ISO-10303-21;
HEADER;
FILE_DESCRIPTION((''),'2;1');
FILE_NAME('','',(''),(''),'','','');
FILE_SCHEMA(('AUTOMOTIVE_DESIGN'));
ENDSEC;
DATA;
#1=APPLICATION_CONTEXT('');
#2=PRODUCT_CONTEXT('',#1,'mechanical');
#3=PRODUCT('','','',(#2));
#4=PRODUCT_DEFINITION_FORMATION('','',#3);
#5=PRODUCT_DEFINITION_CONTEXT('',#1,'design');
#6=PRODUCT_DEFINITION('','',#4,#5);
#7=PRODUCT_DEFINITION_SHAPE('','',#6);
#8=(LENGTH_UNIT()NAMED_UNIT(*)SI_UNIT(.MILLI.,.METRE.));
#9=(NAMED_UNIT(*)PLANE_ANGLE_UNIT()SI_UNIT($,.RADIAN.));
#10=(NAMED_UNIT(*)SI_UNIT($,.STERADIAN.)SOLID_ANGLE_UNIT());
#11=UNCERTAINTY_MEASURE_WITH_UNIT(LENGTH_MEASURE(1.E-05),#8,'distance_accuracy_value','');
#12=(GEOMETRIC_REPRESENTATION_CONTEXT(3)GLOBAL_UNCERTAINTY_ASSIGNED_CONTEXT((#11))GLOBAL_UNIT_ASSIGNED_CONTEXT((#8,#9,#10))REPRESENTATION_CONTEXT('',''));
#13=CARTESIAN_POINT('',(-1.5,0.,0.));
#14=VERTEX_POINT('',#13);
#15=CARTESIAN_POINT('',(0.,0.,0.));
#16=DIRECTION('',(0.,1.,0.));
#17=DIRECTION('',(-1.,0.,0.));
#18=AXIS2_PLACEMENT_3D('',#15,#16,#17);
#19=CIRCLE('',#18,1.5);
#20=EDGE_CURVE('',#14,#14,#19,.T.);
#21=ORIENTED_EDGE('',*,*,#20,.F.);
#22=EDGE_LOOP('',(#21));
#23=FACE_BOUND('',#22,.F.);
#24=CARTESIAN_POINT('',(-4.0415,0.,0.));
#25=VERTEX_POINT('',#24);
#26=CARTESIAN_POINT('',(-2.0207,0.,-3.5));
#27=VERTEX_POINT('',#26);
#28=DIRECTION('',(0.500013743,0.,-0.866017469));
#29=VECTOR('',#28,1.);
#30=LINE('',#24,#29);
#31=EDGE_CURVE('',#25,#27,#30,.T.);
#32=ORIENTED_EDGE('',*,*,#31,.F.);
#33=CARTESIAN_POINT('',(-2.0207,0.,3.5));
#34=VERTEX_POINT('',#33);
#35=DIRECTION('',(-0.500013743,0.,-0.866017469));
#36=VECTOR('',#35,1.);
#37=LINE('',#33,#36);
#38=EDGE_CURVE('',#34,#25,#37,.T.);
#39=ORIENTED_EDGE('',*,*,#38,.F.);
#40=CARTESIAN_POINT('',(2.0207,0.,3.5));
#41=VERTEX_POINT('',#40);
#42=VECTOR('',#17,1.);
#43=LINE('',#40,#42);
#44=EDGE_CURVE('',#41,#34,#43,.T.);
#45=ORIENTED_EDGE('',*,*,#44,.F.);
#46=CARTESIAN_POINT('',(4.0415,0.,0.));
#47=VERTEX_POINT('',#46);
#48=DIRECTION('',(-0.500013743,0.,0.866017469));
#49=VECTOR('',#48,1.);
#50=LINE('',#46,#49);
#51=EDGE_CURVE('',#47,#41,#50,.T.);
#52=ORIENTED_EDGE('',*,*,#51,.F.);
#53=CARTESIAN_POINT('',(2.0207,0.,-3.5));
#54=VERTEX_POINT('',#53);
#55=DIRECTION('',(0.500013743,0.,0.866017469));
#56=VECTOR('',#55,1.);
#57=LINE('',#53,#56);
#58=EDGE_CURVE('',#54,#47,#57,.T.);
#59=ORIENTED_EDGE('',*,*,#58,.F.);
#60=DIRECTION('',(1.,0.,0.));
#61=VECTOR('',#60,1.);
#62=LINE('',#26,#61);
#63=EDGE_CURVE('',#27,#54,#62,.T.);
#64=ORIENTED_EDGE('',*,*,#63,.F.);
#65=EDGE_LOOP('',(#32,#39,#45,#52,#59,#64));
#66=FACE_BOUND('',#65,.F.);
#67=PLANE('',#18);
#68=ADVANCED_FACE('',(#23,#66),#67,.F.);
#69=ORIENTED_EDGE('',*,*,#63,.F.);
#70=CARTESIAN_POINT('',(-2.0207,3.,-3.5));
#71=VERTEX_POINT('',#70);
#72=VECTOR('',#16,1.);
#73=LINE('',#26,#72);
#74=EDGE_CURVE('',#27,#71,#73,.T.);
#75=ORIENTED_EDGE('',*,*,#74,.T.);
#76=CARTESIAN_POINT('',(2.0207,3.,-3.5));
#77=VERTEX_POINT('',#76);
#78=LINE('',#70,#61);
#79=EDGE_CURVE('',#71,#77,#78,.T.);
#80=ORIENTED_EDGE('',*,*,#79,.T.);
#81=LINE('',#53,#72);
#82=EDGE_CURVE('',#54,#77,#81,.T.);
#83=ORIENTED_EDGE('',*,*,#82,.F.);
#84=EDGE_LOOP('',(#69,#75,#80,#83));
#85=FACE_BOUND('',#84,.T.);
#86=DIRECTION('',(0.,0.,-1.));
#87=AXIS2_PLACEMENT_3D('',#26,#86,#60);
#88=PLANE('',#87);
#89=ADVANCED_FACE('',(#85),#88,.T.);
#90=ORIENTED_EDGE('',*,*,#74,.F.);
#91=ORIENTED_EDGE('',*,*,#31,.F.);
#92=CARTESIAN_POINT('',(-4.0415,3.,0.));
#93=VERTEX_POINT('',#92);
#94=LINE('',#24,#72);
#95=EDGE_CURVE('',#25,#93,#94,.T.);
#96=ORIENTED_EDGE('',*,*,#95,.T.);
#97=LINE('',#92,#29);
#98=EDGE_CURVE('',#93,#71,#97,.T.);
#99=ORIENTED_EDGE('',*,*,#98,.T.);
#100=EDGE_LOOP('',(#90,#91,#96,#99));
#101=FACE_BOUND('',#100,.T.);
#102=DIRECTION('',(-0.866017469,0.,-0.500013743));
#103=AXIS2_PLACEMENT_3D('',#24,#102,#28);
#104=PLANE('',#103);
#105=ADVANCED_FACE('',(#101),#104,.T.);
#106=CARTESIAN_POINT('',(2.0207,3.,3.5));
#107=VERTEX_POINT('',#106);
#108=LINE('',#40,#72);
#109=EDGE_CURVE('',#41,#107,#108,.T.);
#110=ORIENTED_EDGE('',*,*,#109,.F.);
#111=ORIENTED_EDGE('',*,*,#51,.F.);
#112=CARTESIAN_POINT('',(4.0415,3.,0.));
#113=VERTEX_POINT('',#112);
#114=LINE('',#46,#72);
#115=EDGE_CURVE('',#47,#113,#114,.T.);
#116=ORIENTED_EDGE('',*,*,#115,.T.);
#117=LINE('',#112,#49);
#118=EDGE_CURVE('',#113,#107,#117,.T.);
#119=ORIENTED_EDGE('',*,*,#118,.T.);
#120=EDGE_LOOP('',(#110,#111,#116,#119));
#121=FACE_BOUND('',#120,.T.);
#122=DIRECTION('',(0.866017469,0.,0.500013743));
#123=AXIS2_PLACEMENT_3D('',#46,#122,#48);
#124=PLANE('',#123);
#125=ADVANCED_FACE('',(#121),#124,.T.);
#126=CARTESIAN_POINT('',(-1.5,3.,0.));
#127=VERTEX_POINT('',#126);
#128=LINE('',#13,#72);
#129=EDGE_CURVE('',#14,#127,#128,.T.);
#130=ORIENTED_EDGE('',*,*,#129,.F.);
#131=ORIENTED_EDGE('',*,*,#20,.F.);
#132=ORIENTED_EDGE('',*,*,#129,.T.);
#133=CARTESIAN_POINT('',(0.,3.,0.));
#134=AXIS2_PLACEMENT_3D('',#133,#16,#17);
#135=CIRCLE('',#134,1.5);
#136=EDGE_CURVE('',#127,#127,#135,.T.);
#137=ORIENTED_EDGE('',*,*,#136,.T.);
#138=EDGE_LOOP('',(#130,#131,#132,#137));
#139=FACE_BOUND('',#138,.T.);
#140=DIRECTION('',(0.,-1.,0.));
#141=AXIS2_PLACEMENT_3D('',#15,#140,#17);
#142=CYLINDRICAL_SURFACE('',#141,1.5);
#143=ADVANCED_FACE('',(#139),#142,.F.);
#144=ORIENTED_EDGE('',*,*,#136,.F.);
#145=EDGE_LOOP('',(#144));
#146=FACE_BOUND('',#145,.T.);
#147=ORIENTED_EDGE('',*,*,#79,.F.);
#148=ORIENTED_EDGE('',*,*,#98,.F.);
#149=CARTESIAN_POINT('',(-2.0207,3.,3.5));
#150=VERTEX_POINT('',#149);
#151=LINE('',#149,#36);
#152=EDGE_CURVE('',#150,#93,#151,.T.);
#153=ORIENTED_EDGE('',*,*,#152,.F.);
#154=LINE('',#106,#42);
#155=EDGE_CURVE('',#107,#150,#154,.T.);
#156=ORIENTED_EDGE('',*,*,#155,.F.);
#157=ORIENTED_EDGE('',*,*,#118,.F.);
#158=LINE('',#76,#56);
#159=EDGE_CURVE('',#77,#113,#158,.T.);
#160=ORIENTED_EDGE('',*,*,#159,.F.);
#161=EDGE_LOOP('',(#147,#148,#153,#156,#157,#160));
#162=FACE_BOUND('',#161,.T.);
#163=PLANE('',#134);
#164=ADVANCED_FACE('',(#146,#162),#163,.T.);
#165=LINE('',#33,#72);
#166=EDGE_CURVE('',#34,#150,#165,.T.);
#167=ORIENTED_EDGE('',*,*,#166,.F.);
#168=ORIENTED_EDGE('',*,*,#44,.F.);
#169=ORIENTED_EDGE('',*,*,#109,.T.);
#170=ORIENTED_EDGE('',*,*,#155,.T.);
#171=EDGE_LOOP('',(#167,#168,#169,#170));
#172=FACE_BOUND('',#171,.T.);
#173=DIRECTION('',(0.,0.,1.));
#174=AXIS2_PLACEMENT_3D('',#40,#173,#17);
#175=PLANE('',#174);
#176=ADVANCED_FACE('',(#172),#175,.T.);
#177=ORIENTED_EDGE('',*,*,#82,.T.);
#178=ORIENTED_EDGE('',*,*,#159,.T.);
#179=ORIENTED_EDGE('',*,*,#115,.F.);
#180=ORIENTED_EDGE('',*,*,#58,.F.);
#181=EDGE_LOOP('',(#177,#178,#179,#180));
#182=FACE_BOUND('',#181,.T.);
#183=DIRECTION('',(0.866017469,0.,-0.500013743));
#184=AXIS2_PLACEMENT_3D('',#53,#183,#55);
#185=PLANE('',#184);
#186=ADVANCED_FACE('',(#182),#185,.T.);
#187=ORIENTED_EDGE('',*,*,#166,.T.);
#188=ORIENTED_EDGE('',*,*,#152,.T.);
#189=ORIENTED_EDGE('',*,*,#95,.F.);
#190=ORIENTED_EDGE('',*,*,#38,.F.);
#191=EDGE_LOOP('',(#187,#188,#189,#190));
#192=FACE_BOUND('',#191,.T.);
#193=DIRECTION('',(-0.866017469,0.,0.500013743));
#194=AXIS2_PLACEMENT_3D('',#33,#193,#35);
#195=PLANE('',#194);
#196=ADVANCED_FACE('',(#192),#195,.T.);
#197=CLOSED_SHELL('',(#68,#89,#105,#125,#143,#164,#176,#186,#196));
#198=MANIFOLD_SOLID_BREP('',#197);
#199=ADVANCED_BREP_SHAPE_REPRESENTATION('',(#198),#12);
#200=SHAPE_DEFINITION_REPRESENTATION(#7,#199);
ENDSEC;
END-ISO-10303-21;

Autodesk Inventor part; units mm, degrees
ref_plane "YZ Plane" through (0, 0, 0) normal (1, 0, 0) x (0, 1, 0)
ref_plane "XZ Plane" through (0, 0, 0) normal (0, 1, 0) x (-1, 0, 0)
ref_plane "XY Plane" through (0, 0, 0) normal (0, 0, 1) x (1, 0, 0)
sketch "Szkic1" plane through (0, 0, 0) normal (0, 1, 0) x (-1, 0, 0)
  line L0 (-2.0207, -3.5) -> (-4.0415, 0)
  line L1 (-4.0415, 0) -> (-2.0207, 3.5)
  line L2 (-2.0207, 3.5) -> (2.0207, 3.5)
  line L3 (2.0207, 3.5) -> (4.0415, 0)
  line L4 (4.0415, 0) -> (2.0207, -3.5)
  line L5 (2.0207, -3.5) -> (-2.0207, -3.5)
  circle A0 centre (0, 0) radius 1.5
  dimension "d0" = 7
  dimension "d1" = 3
extrude "Wyciągnięcie proste1" add sketch "Szkic1" along normal blind 3
thread "Gwint1" size "M3x0.5" class "6H" standard "ANSI Metric M Profile" length 5
properties part number "M3_nut_5mm" material "Aluminum 6061"
